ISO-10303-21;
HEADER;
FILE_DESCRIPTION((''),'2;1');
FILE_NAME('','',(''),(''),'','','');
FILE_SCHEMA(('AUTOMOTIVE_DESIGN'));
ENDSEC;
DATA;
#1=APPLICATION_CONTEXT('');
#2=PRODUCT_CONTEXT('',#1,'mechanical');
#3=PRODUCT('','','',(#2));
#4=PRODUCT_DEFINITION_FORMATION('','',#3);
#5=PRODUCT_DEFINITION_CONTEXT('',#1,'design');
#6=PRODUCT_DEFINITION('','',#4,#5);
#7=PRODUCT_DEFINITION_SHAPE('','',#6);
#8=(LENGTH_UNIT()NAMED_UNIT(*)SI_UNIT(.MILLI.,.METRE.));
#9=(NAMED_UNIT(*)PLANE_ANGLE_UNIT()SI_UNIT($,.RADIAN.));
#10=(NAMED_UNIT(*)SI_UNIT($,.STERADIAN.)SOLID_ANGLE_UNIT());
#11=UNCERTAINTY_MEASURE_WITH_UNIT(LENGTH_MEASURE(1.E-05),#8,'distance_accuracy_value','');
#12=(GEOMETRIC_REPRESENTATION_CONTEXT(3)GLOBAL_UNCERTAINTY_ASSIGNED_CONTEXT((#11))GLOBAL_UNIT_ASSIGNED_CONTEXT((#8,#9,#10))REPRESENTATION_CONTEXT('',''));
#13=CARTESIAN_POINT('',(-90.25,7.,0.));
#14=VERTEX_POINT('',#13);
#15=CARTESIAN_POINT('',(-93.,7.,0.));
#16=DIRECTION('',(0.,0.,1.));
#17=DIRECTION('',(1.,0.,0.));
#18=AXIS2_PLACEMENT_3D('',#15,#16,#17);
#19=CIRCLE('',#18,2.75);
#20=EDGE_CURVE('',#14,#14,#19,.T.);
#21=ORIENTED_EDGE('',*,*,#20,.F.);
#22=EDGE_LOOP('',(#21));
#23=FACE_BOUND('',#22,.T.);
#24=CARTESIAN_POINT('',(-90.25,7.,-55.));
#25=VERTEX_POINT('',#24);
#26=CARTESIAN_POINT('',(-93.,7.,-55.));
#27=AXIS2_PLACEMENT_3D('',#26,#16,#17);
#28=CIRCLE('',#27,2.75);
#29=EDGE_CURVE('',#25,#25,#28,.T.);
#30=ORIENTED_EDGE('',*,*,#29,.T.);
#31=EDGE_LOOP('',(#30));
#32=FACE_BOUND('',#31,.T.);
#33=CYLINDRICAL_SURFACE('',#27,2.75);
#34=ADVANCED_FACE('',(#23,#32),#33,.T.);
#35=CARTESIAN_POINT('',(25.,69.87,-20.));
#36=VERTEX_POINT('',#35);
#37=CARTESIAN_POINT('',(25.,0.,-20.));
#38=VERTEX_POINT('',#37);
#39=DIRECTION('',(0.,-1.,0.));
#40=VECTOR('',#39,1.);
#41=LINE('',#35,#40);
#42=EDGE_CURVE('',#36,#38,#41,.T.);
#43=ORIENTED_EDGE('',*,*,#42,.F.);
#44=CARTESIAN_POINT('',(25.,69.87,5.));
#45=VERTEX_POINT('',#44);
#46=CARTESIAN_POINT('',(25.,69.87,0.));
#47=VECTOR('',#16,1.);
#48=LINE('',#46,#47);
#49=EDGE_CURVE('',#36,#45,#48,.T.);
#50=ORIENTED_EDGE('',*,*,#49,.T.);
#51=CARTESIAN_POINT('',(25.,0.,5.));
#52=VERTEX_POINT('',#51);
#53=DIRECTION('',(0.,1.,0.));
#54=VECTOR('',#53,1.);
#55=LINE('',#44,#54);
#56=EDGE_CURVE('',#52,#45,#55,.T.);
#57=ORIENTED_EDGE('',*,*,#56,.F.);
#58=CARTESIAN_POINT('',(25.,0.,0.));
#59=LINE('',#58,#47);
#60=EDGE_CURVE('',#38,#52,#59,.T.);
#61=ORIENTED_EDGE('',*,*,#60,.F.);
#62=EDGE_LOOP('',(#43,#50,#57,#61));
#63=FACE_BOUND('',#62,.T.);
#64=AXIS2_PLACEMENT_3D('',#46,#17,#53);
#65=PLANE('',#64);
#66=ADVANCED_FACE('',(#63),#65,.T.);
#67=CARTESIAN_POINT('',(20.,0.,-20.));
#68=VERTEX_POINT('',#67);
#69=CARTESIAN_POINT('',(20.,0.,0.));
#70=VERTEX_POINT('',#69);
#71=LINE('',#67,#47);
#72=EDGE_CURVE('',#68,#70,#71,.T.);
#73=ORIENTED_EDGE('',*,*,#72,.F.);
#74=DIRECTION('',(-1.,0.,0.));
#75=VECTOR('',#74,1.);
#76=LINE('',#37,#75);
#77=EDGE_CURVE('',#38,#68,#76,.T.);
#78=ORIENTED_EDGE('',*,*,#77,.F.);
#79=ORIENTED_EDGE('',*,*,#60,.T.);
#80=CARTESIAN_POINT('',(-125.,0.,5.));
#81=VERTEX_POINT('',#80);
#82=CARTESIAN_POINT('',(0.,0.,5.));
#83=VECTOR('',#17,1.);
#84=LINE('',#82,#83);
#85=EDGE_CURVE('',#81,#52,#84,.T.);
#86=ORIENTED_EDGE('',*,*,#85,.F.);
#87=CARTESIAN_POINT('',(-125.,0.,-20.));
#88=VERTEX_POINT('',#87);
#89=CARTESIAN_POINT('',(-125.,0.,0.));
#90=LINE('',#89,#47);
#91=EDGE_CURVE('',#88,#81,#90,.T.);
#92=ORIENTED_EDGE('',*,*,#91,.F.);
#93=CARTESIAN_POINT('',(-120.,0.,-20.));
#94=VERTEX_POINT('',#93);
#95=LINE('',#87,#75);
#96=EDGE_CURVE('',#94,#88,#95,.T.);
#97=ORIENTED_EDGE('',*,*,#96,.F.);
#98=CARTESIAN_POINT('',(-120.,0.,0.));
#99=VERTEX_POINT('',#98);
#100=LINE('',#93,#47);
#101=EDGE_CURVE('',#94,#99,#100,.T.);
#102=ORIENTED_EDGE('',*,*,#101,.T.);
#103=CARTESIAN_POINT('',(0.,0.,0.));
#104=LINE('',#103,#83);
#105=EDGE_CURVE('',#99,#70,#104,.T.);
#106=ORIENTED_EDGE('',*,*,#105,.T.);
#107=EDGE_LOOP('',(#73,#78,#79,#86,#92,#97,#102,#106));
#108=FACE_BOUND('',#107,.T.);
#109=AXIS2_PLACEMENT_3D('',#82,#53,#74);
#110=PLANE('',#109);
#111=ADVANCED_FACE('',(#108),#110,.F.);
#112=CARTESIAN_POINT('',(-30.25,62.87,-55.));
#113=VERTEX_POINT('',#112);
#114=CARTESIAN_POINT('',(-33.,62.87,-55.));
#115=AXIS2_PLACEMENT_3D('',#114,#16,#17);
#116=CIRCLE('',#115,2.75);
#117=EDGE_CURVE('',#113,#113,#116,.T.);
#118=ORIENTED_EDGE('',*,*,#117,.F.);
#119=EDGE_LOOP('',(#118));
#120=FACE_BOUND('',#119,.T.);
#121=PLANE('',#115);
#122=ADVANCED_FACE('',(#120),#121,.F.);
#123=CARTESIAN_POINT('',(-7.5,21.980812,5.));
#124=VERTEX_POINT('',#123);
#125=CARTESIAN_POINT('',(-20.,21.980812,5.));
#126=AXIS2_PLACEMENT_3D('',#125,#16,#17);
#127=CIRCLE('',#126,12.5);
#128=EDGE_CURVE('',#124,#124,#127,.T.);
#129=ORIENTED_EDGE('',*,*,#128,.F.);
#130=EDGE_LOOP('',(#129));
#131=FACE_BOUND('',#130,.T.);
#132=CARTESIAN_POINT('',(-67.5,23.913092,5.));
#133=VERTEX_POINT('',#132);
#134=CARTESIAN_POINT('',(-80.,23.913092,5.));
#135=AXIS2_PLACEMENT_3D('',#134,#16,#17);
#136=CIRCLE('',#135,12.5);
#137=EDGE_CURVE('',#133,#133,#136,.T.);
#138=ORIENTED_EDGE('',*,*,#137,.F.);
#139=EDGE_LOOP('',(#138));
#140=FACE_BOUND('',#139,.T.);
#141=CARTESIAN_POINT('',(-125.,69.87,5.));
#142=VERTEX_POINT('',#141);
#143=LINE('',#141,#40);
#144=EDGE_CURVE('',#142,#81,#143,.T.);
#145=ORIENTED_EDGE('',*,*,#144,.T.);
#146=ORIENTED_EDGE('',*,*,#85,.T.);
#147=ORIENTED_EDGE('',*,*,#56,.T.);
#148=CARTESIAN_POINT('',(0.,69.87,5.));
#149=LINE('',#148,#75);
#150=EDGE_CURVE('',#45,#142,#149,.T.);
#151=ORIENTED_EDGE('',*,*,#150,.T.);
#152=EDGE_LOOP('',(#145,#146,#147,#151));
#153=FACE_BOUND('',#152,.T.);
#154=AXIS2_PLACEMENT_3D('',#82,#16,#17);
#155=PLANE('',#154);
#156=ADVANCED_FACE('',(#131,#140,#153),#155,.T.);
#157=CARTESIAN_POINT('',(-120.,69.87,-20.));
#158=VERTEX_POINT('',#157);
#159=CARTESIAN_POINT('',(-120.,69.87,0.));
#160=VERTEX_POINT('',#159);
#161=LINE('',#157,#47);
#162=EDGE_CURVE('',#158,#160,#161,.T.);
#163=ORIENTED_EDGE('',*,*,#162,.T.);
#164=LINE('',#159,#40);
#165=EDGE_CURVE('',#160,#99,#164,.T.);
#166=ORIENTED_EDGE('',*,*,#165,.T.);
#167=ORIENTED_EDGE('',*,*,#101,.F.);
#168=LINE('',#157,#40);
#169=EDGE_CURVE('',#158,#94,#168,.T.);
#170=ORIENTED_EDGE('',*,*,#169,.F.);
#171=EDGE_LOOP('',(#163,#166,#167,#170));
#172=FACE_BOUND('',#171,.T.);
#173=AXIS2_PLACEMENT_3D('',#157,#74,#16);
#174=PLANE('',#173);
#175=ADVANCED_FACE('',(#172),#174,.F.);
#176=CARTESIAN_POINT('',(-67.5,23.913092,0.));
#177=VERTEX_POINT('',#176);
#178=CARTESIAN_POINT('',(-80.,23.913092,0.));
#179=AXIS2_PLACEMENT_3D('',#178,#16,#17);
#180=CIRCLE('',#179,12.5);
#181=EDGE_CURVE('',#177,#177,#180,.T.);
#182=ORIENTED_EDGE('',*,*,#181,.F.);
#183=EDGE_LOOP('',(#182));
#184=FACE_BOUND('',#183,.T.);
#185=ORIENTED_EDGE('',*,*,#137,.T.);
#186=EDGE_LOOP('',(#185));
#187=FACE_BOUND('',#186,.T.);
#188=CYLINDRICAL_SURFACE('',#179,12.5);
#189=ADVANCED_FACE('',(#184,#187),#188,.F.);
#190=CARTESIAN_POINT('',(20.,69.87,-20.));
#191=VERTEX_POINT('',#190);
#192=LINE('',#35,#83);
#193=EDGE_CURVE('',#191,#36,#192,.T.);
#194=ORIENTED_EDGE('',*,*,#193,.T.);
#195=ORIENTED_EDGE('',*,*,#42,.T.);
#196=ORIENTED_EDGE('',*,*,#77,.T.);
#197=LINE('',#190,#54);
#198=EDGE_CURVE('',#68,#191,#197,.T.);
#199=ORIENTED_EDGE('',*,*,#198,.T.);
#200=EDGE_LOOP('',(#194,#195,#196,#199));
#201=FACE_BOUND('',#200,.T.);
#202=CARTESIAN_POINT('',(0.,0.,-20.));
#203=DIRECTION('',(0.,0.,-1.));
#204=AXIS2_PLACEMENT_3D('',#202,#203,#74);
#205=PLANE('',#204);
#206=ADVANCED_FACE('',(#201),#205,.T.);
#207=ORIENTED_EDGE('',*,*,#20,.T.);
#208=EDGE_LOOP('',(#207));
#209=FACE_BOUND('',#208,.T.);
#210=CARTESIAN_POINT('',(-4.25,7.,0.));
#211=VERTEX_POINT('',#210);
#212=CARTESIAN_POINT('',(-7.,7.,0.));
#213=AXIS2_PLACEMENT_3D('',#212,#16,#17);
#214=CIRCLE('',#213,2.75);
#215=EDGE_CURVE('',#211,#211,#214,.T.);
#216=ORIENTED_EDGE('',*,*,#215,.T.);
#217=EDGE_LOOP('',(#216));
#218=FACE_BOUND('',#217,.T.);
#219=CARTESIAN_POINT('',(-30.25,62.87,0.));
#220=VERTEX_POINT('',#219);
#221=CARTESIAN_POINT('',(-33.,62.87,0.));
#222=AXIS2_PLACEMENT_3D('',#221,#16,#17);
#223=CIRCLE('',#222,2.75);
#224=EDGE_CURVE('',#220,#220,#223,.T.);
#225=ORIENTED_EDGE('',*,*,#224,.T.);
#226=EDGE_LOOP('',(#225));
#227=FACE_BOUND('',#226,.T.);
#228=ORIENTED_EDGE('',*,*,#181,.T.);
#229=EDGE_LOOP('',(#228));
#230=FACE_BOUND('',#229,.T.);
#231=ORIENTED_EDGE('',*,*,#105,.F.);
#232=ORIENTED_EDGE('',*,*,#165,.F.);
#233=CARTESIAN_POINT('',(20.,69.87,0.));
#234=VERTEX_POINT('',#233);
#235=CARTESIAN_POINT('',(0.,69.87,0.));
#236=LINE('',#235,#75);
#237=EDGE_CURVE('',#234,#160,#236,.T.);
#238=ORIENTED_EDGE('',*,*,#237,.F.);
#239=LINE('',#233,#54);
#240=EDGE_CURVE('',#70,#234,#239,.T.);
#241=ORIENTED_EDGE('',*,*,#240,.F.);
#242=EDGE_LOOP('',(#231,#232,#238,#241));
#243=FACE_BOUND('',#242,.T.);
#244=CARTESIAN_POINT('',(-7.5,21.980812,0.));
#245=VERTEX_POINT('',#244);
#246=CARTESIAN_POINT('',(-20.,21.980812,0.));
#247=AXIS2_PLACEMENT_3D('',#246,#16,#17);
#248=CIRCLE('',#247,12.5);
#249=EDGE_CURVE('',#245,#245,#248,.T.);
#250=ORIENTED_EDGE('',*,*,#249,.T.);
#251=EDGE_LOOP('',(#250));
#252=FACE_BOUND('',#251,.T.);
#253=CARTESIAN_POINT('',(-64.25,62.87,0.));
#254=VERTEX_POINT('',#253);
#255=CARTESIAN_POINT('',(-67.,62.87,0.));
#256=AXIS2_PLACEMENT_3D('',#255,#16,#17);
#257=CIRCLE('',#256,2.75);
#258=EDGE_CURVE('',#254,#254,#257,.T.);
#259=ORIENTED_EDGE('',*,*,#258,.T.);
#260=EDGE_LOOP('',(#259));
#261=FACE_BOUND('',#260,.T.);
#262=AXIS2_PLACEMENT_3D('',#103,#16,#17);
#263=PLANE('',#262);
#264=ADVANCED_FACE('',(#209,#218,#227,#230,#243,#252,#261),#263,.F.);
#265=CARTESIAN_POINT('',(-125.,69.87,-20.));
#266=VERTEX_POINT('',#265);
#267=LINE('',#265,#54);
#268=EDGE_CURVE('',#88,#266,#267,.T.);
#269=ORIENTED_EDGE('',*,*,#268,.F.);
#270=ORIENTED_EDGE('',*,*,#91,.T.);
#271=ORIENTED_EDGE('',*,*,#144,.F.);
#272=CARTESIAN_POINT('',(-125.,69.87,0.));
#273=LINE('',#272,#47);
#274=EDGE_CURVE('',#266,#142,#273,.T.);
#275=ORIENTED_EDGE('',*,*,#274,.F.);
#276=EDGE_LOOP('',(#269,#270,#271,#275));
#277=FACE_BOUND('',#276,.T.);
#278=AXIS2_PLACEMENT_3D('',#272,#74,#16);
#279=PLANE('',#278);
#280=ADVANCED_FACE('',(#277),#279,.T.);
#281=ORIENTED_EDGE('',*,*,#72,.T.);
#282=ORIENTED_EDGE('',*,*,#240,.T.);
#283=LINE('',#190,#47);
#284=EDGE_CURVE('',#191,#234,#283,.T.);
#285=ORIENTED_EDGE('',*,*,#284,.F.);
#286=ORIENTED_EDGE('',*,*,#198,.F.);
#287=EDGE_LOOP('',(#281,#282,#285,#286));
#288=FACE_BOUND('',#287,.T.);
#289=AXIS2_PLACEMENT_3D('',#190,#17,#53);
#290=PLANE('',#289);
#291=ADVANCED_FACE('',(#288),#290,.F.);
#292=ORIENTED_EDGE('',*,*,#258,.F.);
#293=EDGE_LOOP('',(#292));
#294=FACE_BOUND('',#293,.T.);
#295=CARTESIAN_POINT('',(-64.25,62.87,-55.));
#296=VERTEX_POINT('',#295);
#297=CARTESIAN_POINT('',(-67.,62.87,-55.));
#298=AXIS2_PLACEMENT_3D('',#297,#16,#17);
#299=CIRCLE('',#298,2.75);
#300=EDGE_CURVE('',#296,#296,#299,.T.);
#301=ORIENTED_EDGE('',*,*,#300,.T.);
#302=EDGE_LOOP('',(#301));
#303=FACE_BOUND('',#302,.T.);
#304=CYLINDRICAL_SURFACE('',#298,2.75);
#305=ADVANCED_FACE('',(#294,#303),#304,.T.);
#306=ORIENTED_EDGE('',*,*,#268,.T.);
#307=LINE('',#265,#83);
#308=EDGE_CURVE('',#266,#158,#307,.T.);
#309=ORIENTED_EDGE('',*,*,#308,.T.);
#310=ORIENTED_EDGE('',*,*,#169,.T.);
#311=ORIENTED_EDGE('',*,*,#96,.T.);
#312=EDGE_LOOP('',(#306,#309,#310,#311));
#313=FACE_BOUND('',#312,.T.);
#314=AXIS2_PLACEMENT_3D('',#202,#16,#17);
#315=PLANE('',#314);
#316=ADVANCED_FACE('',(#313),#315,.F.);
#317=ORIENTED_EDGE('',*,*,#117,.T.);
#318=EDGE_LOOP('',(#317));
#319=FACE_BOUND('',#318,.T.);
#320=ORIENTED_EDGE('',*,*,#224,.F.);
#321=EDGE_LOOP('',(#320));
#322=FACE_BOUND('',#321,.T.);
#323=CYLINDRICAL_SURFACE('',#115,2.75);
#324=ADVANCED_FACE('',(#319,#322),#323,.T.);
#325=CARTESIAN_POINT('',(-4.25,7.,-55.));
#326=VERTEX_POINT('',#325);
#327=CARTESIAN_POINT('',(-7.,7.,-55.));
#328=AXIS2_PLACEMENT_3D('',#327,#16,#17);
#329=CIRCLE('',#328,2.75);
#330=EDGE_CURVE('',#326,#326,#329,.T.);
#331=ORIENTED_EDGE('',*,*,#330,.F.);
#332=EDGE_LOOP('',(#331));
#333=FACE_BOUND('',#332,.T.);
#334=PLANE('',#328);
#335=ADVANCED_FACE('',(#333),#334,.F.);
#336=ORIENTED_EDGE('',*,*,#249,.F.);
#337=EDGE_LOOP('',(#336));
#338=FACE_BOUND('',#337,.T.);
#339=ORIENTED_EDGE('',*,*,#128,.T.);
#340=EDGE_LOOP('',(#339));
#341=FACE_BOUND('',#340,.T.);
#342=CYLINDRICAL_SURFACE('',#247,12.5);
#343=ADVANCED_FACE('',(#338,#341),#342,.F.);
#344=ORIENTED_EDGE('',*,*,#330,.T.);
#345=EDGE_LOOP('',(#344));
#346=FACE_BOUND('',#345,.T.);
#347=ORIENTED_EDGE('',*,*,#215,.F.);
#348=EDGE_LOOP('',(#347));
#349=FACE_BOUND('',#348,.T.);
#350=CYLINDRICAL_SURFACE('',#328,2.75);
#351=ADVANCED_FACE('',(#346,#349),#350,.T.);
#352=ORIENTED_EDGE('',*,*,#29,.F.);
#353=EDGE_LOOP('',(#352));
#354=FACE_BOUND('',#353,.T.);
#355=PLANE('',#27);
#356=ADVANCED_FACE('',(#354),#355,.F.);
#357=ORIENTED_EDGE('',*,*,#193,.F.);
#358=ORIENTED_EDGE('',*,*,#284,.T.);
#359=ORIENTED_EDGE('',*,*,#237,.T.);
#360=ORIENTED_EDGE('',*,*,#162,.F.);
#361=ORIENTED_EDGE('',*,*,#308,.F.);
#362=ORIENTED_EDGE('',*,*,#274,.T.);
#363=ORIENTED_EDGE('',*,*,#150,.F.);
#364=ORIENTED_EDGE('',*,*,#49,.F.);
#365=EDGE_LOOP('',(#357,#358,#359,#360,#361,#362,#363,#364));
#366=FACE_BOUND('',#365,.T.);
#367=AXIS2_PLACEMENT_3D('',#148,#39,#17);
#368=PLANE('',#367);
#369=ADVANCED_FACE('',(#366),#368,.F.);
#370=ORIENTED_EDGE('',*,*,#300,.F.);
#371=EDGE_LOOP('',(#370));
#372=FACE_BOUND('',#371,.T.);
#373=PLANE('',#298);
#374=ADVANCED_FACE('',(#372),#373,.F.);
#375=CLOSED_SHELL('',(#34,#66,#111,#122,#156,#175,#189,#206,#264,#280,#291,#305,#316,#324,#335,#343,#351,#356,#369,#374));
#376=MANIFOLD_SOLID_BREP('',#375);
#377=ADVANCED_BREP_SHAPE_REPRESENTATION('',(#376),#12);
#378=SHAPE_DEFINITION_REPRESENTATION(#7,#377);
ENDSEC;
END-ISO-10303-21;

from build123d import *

# Parameters (mm, degrees)
ESQUISSE1_W             = 100
ESQUISSE1_H             = 69.87
BOSS_EXTRU_1_DEPTH      = 5
ESQUISSE2_R             = 12.5
ENL_V_MAT_EXTRU_1_DEPTH = 5
ESQUISSE3_W             = 25
ESQUISSE3_H             = 69.87
BOSS_EXTRU_2_DEPTH      = 5
ESQUISSE4_W             = 5
ESQUISSE4_H             = 69.87
BOSS_EXTRU_3_DEPTH      = 20
ESQUISSE2_3_R           = 2.75
BOSS_EXTRU_4_DEPTH      = 60
ESQUISSE2_4_R           = 2.75
BOSS_EXTRU_5_DEPTH      = 60
ESQUISSE2_5_R           = 2.75
BOSS_EXTRU_6_DEPTH      = 60
ESQUISSE2_6_R           = 2.75
BOSS_EXTRU_7_DEPTH      = 60


with BuildPart() as part:
    # Esquisse1 → Boss.-Extru.1 (new body)
    with BuildSketch(Plane.XY):
        with Locations((-50, 34.935)):
            Rectangle(ESQUISSE1_W, ESQUISSE1_H)
    extrude(amount=BOSS_EXTRU_1_DEPTH)

    # Esquisse2 → Enlèv. mat.-Extru.1 (cut)
    with BuildSketch(Plane.XY.offset(5)):
        with Locations((-80, 23.913092396)):
            Circle(ESQUISSE2_R)
        with Locations((-20, 21.980812212)):
            Circle(ESQUISSE2_R)
    extrude(amount=-ENL_V_MAT_EXTRU_1_DEPTH, mode=Mode.SUBTRACT)

    # Esquisse3 → Boss.-Extru.2 (add)
    with BuildSketch(Plane.XY.offset(5)):
        with Locations((-112.5, 34.935)):
            Rectangle(ESQUISSE3_W, ESQUISSE3_H)
        with Locations((12.5, 34.935)):
            Rectangle(ESQUISSE3_W, ESQUISSE3_H)
    extrude(amount=-BOSS_EXTRU_2_DEPTH)

    # Esquisse4 → Boss.-Extru.3 (add)
    with BuildSketch(Plane(origin=(0, 0, 0), x_dir=(-1, 0, 0), z_dir=(0, 0, -1))):
        with Locations((122.5, 34.935)):
            Rectangle(ESQUISSE4_W, ESQUISSE4_H)
        with Locations((-22.5, 34.935)):
            Rectangle(ESQUISSE4_W, ESQUISSE4_H)
    extrude(amount=BOSS_EXTRU_3_DEPTH)

    # Esquisse2<3> → Boss.-Extru.4 (add)
    with BuildSketch(Plane.XY.offset(5)):
        with Locations((-67, 62.87)):
            Circle(ESQUISSE2_3_R)
    extrude(amount=-BOSS_EXTRU_4_DEPTH)

    # Esquisse2<4> → Boss.-Extru.5 (add)
    with BuildSketch(Plane.XY.offset(5)):
        with Locations((-33, 62.87)):
            Circle(ESQUISSE2_4_R)
    extrude(amount=-BOSS_EXTRU_5_DEPTH)

    # Esquisse2<5> → Boss.-Extru.6 (add)
    with BuildSketch(Plane.XY.offset(5)):
        with Locations((-93, 7)):
            Circle(ESQUISSE2_5_R)
    extrude(amount=-BOSS_EXTRU_6_DEPTH)

    # Esquisse2<6> → Boss.-Extru.7 (add)
    with BuildSketch(Plane.XY.offset(5)):
        with Locations((-7, 7)):
            Circle(ESQUISSE2_6_R)
    extrude(amount=-BOSS_EXTRU_7_DEPTH)


solid = part.part
